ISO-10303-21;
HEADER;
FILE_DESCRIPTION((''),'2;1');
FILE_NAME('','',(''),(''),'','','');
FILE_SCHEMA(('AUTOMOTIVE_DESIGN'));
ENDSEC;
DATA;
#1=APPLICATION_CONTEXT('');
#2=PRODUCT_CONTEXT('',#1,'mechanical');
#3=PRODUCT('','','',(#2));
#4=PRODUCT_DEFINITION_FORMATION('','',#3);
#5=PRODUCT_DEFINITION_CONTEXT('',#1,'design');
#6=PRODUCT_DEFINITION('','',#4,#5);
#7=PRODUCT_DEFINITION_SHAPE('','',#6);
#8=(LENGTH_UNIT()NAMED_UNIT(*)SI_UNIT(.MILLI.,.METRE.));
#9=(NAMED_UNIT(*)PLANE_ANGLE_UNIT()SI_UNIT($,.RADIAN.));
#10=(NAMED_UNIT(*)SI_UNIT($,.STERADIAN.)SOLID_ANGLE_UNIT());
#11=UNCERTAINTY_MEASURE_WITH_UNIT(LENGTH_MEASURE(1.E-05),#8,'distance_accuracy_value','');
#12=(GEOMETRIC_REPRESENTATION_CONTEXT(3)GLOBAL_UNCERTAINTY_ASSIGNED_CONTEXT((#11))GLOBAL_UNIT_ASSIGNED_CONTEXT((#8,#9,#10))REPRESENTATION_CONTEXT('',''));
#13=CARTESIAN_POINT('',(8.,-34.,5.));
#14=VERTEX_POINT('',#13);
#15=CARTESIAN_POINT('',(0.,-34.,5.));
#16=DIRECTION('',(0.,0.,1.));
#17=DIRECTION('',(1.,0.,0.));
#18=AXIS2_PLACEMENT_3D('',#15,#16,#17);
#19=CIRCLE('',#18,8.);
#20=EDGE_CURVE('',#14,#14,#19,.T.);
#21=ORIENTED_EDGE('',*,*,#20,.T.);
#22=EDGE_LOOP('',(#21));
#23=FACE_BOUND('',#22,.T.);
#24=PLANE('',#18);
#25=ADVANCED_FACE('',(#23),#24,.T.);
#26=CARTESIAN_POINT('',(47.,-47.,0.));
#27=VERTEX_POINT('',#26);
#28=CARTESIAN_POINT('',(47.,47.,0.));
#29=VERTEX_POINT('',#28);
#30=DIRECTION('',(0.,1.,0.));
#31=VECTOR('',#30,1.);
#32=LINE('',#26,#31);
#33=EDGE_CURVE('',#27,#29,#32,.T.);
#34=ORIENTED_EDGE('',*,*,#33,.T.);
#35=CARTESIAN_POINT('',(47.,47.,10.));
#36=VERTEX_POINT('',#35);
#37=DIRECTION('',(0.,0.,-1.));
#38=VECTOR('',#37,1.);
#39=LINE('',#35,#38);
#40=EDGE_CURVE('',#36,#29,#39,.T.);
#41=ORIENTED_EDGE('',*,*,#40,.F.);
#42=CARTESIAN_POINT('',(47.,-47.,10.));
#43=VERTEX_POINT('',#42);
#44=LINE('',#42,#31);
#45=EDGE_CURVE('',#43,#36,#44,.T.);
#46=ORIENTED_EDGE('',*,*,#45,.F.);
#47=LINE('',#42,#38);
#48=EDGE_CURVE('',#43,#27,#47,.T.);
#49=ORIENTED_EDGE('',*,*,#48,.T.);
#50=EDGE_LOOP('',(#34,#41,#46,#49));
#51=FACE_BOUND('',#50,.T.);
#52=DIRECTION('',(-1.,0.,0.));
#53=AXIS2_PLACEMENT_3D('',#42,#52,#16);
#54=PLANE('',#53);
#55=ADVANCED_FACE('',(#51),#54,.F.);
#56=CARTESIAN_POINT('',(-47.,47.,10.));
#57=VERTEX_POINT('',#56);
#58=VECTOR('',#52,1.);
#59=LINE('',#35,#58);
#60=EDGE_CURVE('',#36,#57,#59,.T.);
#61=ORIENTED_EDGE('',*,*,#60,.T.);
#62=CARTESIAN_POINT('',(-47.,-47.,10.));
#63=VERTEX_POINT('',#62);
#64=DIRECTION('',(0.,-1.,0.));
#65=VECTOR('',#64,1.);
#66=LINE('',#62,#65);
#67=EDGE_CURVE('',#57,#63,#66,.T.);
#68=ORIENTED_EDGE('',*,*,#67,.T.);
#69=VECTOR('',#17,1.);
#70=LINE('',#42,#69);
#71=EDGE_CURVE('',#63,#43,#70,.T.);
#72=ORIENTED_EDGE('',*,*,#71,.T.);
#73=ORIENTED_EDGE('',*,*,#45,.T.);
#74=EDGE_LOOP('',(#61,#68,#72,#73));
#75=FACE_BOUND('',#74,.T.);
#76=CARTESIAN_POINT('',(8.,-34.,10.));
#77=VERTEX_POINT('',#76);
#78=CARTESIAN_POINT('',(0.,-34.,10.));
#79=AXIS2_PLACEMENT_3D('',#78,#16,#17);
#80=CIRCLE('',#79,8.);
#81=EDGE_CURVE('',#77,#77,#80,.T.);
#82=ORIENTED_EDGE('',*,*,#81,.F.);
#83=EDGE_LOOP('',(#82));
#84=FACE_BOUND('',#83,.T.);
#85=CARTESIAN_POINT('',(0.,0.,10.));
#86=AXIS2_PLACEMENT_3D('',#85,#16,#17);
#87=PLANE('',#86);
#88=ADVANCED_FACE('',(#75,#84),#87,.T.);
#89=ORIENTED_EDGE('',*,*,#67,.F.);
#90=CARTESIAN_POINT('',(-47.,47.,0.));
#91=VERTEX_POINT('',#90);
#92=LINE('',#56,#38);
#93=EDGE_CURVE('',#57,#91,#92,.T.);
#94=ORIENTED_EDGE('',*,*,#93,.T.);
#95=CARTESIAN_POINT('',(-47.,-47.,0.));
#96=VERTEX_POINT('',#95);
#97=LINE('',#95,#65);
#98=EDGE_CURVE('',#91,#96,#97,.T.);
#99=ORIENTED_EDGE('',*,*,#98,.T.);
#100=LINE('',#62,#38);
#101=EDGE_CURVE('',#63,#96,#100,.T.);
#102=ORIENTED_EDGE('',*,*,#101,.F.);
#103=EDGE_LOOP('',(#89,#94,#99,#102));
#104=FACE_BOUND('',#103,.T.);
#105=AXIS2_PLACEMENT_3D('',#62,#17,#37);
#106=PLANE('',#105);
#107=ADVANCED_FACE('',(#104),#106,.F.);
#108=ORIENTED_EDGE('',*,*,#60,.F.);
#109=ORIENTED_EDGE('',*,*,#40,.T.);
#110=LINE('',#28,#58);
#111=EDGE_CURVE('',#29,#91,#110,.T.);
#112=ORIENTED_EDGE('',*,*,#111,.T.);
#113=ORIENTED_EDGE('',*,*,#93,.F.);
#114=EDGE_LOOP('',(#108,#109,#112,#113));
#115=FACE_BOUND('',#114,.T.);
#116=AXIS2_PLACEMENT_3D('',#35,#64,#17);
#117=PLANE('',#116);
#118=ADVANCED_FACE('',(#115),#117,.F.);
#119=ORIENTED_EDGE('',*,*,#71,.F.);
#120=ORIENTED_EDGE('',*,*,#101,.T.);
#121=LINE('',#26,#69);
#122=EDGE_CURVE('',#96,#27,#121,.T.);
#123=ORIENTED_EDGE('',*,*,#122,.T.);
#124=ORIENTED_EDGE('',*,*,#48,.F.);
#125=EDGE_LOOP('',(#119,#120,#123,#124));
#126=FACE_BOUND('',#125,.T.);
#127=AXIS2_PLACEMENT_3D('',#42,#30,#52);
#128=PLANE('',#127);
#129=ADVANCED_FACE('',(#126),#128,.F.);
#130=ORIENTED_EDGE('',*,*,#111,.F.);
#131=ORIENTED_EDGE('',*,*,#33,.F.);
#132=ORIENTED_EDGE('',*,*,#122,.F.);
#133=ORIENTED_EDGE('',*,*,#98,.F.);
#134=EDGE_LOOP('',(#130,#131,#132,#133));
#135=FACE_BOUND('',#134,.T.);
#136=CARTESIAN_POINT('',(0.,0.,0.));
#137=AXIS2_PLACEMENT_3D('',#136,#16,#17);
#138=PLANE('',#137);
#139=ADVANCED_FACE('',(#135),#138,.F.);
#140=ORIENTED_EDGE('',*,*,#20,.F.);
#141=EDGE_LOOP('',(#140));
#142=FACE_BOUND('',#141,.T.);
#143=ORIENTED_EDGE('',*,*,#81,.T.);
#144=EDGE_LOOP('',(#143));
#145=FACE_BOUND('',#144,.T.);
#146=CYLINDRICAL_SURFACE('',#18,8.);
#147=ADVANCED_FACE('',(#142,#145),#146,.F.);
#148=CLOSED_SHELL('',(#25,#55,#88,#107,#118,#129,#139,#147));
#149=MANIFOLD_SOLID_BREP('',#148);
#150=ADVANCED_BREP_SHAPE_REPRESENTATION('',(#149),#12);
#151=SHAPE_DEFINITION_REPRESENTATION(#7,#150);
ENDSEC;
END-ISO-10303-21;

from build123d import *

# Parameters (mm, degrees)
SCHIZZO1_W                   = 94
SCHIZZO1_H                   = 94
ESTRUSIONE_ESTRUSIONE1_DEPTH = 10
SCHIZZO3_R                   = 8
TAGLIO_ESTRUSIONE1_DEPTH     = 5


with BuildPart() as part:
    # Schizzo1 → Estrusione-Estrusione1 (new body)
    with BuildSketch(Plane.XY):
        Rectangle(SCHIZZO1_W, SCHIZZO1_H)
    extrude(amount=ESTRUSIONE_ESTRUSIONE1_DEPTH)

    # Schizzo3 → Taglio-Estrusione1 (cut)
    with BuildSketch(Plane.XY.offset(10)):
        with Locations((0, -34)):
            Circle(SCHIZZO3_R)
    extrude(amount=-TAGLIO_ESTRUSIONE1_DEPTH, mode=Mode.SUBTRACT)


solid = part.part
